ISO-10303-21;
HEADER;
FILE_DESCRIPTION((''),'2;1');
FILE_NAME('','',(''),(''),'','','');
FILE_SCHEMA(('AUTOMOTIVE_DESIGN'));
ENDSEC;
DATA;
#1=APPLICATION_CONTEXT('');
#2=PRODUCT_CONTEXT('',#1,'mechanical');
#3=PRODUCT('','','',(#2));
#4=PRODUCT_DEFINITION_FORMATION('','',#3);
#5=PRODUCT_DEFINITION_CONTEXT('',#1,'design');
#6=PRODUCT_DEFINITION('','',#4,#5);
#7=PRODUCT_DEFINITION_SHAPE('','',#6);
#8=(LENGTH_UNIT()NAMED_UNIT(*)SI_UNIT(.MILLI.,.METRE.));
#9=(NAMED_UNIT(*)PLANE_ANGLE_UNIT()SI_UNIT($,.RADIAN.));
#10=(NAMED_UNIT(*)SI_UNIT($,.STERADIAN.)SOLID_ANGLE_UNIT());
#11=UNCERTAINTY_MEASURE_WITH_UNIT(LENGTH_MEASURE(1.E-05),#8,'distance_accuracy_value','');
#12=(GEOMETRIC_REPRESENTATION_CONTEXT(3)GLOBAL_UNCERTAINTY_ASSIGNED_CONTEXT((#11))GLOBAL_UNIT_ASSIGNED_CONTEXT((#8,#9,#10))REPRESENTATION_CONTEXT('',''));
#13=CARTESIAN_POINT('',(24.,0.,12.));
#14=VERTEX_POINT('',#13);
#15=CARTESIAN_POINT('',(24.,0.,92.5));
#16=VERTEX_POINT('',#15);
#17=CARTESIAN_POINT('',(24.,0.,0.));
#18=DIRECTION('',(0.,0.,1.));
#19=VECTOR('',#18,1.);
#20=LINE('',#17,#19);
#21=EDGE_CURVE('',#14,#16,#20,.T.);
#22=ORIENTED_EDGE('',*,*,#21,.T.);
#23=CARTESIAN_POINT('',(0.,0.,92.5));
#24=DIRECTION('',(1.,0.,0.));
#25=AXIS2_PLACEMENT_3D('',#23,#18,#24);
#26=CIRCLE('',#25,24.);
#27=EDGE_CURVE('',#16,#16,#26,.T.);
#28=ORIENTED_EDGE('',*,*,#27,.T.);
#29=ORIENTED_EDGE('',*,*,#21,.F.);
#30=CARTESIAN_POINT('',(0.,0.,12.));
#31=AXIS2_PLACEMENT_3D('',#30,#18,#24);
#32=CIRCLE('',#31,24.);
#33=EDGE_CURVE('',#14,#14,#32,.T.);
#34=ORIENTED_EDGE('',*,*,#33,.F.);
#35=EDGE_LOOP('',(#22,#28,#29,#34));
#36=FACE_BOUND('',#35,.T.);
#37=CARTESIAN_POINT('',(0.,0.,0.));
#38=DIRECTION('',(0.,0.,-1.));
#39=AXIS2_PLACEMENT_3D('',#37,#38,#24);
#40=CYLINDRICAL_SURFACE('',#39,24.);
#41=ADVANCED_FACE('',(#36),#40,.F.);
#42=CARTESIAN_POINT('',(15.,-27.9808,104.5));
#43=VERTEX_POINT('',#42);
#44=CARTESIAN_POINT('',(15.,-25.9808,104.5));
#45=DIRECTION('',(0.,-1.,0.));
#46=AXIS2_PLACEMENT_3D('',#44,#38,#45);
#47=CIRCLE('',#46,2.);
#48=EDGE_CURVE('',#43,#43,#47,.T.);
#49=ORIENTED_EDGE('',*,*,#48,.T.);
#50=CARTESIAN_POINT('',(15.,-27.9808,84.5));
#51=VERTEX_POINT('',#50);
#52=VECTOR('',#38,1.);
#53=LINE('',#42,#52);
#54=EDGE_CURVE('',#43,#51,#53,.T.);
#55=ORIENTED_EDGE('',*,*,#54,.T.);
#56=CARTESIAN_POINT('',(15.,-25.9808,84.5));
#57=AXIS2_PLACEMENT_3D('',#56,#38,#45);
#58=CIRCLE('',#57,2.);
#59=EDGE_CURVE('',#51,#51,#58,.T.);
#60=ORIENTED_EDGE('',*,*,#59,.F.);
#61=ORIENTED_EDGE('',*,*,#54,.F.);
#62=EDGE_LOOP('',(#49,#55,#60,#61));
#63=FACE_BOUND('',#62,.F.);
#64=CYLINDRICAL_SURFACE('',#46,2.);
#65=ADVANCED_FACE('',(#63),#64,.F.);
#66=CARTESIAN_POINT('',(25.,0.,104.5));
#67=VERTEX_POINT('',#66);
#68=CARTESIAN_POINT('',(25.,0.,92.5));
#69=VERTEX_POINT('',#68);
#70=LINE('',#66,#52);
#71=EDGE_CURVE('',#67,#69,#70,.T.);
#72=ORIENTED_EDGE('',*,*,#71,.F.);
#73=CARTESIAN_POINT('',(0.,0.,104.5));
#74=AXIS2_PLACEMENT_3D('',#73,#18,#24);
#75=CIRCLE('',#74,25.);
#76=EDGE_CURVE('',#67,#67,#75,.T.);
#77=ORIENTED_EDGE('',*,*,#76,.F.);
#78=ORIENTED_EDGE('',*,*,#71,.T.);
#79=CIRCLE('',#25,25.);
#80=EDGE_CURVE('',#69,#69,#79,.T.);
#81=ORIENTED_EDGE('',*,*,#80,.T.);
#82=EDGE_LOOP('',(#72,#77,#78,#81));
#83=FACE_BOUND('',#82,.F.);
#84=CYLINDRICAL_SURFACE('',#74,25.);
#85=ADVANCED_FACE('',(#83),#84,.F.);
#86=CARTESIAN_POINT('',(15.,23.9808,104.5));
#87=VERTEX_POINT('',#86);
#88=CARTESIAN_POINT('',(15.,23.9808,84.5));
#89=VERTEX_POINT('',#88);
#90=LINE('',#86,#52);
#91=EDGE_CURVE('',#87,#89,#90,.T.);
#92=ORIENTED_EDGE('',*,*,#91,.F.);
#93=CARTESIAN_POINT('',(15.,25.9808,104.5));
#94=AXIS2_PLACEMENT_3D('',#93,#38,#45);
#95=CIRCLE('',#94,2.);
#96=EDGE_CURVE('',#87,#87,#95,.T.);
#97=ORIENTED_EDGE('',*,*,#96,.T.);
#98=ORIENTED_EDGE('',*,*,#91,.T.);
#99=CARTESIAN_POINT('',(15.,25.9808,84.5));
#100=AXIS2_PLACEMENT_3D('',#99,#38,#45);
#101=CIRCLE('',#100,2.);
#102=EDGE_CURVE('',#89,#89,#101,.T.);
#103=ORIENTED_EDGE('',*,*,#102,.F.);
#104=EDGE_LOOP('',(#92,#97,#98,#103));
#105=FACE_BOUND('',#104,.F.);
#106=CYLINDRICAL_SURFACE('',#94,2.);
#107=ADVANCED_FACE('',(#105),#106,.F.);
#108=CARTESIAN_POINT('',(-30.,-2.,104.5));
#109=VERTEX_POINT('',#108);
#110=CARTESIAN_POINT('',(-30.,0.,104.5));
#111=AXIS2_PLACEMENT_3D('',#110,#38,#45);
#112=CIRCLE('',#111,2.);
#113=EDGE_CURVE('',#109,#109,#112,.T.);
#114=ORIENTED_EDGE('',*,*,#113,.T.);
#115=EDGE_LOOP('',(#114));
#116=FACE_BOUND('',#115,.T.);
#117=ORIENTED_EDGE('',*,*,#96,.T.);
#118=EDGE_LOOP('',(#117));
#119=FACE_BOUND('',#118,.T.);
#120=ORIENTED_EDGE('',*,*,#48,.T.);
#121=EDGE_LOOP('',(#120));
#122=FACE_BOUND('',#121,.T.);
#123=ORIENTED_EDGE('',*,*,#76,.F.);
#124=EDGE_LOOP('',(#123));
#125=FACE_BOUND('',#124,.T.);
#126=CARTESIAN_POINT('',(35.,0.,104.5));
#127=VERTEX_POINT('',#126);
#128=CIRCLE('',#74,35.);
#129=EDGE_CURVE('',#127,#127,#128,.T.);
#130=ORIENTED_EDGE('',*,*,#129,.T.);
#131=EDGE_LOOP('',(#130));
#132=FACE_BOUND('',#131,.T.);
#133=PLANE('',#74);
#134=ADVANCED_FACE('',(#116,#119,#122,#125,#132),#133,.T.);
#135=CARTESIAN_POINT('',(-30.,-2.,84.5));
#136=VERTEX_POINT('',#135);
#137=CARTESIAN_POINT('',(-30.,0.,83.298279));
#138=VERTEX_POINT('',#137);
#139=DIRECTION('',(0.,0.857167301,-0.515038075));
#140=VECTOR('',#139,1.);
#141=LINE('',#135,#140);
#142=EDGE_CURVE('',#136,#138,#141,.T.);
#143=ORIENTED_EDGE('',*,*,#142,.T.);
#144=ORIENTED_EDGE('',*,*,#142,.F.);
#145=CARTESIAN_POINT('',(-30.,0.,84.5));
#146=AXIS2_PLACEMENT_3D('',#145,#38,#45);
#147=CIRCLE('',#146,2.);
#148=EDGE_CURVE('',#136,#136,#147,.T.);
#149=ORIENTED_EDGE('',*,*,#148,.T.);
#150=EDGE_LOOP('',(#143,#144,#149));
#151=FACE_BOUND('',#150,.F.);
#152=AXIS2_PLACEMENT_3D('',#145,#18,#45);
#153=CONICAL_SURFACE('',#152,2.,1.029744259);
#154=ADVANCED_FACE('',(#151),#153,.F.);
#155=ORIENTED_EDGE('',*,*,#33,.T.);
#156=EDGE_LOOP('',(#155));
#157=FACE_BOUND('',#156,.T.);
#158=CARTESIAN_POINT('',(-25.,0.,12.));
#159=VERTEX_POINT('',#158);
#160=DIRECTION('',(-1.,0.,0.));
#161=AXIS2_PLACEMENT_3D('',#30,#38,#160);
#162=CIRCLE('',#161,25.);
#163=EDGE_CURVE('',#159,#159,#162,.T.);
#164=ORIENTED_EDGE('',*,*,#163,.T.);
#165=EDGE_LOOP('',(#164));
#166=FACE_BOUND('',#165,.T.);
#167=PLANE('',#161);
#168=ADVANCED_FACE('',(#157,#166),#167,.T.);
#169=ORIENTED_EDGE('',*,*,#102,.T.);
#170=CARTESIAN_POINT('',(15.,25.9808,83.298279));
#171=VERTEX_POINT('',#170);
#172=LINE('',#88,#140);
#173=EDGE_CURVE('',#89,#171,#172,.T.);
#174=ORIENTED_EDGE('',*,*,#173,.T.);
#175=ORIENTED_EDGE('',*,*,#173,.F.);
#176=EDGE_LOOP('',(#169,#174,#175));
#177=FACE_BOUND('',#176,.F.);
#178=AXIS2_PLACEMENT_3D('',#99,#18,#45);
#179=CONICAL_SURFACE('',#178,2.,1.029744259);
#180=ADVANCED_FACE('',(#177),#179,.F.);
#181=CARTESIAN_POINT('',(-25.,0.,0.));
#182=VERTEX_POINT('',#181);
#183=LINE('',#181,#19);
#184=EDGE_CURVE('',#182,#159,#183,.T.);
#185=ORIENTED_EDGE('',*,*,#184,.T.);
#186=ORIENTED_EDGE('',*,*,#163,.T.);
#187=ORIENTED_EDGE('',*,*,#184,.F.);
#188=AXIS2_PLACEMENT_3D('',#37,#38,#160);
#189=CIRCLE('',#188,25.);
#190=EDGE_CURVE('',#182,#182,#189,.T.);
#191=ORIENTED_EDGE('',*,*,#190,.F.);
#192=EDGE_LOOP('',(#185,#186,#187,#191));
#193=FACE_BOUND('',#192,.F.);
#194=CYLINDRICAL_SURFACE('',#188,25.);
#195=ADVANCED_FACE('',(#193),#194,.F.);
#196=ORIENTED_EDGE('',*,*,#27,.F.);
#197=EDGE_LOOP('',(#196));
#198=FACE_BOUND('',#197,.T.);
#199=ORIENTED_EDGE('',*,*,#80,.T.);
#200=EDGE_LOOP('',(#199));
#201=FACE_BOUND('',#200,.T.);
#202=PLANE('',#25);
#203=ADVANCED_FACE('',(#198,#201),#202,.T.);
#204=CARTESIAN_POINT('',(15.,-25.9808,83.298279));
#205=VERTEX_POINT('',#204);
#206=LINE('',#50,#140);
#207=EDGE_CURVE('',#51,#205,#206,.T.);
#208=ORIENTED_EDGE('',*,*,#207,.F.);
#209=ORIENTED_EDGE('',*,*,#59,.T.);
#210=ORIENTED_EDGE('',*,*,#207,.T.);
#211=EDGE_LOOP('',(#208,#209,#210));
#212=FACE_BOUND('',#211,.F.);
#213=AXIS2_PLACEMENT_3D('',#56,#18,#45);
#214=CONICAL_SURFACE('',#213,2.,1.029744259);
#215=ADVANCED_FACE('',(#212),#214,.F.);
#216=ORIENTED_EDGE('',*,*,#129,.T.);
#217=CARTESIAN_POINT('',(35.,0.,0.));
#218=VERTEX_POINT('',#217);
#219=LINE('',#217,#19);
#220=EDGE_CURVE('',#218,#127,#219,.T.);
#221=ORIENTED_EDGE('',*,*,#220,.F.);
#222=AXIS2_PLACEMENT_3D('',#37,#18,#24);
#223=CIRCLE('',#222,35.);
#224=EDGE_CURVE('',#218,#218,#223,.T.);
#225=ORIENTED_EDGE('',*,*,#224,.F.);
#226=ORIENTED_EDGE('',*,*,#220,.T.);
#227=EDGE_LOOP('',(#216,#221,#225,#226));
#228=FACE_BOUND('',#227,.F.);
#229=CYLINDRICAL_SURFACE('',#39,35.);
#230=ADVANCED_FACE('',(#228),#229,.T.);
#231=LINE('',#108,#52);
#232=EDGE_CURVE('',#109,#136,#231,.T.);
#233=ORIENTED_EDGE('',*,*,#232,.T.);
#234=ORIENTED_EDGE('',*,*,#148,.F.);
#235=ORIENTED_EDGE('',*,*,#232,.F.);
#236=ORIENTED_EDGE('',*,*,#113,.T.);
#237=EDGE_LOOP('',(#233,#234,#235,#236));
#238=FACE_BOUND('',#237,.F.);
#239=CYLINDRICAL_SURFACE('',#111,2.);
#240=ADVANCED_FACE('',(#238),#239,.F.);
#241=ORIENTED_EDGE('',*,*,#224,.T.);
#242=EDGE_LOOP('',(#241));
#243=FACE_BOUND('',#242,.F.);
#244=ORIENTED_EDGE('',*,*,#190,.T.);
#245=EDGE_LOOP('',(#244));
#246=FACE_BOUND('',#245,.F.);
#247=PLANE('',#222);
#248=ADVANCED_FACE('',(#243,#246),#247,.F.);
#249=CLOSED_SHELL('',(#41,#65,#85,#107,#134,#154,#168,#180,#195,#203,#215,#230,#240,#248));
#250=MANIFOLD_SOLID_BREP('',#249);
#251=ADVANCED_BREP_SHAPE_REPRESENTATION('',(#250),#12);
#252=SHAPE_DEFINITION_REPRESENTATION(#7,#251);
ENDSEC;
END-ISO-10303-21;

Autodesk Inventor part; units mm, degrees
ref_plane "YZ Plane" through (0, 0, 0) normal (1, 0, 0) x (0, 1, 0)
ref_plane "Startebene" through (0, 0, 0) normal (0, 0, 1) x (1, 0, 0)
ref_plane "Endebene" through (0, 0, 104.5) normal (0, 0, 1) x (1, 0, 0)
sketch "Skizze" plane through (0, 0, 0) normal (0, 0, 1) x (1, 0, 0)
  circle A0 centre (0, 0) radius 24
  circle A1 centre (0, 0) radius 35
  dimension "d0" = 70
  dimension "d1" = 11
extrude "Körper" add sketch "Skizze" along normal up to surface (104.5 mm away) from surface at 0
sketch "Sketch3" plane through (0, 0, 0) normal (0, 0, 1) x (1, 0, 0)
  line L0 (0, 0) -> (10, 0)
ref_plane "Work Plane3" through (0, 0, 0) normal (0, -1, 0) x (1, 0, 0)
sketch "Sketch4" plane through (0, 0, 0) normal (0, -1, 0) x (1, 0, 0)
  line L0 (-2, 0) -> (12, 0)
  line L1 (-2, 104.5) -> (12, 104.5)
  dimension "d7" = 104.5
sketch "Skizze5" plane through (0, 0, 104.5) normal (0, 0, 1) x (1, 0, 0)
  circle A0 centre (0, 0) radius 24 projected
  line L0 (-49, 0) -> (49, 0) projected
  point P0 (-30, 0)
  point P1 (15, 25.9808)
  point P2 (15, -25.9808)
  dimension "d8" = 30
  dimension "d11" = 360
hole "Bohrung1" at (-30, 0, 104.5) at (15, 25.9808, 104.5) at (15, -25.9808, 104.5) direction (0, 0, -1) diameter 4 depth 20 tip angle 118
thread "Gewinde1" size "M4x0.7" class "6H" standard "ISO Metric profile" length 18
thread "Gewinde2" size "M4x0.7" class "6H" standard "ISO Metric profile" length 18
thread "Gewinde3" size "M4x0.7" class "6H" standard "ISO Metric profile" length 18
sketch "Skizze6" plane through (0, 0, 104.5) normal (0, 0, 1) x (1, 0, 0)
  circle A0 centre (0, 0) radius 24 projected
  circle A1 centre (0, 0) radius 35 projected
  circle A2 centre (0, 0) radius 25
  dimension "d29" = 1
extrude "Extrusion2" cut sketch "Skizze6" against normal blind 12 contours A2
ref_plane "Arbeitsebene4" through (0, 0, 0) normal (0, 0, -1) x (-1, 0, 0)
sketch "Skizze7" plane through (0, 0, 0) normal (0, 0, -1) x (-1, 0, 0)
  circle A0 centre (0, 0) radius 24 projected
  circle A1 centre (0, 0) radius 32 projected
  circle A2 centre (0, 0) radius 25
  dimension "d32" = 1
extrude "Extrusion3" cut sketch "Skizze7" against normal blind 12 contours A2
equation "\"d0\" = G_H"
equation "\"d1\" = G_T"
equation "\"d2\" = G_L"
equation "\"G_H\" = 70"
equation "\"G_T\" = 11"
equation "\"G_L\" = d7"
equation "\"G_OFFSET_START\" = 0"
equation "\"G_OFFSET_END\" = 0"
equation "\"d5\" = G_OFFSET_END + B_L"
equation "\"B_L\" = 104.5"
properties part number "DIN EN 10220-2 - 57 x 5 - 100" material "Stahl, weich"
